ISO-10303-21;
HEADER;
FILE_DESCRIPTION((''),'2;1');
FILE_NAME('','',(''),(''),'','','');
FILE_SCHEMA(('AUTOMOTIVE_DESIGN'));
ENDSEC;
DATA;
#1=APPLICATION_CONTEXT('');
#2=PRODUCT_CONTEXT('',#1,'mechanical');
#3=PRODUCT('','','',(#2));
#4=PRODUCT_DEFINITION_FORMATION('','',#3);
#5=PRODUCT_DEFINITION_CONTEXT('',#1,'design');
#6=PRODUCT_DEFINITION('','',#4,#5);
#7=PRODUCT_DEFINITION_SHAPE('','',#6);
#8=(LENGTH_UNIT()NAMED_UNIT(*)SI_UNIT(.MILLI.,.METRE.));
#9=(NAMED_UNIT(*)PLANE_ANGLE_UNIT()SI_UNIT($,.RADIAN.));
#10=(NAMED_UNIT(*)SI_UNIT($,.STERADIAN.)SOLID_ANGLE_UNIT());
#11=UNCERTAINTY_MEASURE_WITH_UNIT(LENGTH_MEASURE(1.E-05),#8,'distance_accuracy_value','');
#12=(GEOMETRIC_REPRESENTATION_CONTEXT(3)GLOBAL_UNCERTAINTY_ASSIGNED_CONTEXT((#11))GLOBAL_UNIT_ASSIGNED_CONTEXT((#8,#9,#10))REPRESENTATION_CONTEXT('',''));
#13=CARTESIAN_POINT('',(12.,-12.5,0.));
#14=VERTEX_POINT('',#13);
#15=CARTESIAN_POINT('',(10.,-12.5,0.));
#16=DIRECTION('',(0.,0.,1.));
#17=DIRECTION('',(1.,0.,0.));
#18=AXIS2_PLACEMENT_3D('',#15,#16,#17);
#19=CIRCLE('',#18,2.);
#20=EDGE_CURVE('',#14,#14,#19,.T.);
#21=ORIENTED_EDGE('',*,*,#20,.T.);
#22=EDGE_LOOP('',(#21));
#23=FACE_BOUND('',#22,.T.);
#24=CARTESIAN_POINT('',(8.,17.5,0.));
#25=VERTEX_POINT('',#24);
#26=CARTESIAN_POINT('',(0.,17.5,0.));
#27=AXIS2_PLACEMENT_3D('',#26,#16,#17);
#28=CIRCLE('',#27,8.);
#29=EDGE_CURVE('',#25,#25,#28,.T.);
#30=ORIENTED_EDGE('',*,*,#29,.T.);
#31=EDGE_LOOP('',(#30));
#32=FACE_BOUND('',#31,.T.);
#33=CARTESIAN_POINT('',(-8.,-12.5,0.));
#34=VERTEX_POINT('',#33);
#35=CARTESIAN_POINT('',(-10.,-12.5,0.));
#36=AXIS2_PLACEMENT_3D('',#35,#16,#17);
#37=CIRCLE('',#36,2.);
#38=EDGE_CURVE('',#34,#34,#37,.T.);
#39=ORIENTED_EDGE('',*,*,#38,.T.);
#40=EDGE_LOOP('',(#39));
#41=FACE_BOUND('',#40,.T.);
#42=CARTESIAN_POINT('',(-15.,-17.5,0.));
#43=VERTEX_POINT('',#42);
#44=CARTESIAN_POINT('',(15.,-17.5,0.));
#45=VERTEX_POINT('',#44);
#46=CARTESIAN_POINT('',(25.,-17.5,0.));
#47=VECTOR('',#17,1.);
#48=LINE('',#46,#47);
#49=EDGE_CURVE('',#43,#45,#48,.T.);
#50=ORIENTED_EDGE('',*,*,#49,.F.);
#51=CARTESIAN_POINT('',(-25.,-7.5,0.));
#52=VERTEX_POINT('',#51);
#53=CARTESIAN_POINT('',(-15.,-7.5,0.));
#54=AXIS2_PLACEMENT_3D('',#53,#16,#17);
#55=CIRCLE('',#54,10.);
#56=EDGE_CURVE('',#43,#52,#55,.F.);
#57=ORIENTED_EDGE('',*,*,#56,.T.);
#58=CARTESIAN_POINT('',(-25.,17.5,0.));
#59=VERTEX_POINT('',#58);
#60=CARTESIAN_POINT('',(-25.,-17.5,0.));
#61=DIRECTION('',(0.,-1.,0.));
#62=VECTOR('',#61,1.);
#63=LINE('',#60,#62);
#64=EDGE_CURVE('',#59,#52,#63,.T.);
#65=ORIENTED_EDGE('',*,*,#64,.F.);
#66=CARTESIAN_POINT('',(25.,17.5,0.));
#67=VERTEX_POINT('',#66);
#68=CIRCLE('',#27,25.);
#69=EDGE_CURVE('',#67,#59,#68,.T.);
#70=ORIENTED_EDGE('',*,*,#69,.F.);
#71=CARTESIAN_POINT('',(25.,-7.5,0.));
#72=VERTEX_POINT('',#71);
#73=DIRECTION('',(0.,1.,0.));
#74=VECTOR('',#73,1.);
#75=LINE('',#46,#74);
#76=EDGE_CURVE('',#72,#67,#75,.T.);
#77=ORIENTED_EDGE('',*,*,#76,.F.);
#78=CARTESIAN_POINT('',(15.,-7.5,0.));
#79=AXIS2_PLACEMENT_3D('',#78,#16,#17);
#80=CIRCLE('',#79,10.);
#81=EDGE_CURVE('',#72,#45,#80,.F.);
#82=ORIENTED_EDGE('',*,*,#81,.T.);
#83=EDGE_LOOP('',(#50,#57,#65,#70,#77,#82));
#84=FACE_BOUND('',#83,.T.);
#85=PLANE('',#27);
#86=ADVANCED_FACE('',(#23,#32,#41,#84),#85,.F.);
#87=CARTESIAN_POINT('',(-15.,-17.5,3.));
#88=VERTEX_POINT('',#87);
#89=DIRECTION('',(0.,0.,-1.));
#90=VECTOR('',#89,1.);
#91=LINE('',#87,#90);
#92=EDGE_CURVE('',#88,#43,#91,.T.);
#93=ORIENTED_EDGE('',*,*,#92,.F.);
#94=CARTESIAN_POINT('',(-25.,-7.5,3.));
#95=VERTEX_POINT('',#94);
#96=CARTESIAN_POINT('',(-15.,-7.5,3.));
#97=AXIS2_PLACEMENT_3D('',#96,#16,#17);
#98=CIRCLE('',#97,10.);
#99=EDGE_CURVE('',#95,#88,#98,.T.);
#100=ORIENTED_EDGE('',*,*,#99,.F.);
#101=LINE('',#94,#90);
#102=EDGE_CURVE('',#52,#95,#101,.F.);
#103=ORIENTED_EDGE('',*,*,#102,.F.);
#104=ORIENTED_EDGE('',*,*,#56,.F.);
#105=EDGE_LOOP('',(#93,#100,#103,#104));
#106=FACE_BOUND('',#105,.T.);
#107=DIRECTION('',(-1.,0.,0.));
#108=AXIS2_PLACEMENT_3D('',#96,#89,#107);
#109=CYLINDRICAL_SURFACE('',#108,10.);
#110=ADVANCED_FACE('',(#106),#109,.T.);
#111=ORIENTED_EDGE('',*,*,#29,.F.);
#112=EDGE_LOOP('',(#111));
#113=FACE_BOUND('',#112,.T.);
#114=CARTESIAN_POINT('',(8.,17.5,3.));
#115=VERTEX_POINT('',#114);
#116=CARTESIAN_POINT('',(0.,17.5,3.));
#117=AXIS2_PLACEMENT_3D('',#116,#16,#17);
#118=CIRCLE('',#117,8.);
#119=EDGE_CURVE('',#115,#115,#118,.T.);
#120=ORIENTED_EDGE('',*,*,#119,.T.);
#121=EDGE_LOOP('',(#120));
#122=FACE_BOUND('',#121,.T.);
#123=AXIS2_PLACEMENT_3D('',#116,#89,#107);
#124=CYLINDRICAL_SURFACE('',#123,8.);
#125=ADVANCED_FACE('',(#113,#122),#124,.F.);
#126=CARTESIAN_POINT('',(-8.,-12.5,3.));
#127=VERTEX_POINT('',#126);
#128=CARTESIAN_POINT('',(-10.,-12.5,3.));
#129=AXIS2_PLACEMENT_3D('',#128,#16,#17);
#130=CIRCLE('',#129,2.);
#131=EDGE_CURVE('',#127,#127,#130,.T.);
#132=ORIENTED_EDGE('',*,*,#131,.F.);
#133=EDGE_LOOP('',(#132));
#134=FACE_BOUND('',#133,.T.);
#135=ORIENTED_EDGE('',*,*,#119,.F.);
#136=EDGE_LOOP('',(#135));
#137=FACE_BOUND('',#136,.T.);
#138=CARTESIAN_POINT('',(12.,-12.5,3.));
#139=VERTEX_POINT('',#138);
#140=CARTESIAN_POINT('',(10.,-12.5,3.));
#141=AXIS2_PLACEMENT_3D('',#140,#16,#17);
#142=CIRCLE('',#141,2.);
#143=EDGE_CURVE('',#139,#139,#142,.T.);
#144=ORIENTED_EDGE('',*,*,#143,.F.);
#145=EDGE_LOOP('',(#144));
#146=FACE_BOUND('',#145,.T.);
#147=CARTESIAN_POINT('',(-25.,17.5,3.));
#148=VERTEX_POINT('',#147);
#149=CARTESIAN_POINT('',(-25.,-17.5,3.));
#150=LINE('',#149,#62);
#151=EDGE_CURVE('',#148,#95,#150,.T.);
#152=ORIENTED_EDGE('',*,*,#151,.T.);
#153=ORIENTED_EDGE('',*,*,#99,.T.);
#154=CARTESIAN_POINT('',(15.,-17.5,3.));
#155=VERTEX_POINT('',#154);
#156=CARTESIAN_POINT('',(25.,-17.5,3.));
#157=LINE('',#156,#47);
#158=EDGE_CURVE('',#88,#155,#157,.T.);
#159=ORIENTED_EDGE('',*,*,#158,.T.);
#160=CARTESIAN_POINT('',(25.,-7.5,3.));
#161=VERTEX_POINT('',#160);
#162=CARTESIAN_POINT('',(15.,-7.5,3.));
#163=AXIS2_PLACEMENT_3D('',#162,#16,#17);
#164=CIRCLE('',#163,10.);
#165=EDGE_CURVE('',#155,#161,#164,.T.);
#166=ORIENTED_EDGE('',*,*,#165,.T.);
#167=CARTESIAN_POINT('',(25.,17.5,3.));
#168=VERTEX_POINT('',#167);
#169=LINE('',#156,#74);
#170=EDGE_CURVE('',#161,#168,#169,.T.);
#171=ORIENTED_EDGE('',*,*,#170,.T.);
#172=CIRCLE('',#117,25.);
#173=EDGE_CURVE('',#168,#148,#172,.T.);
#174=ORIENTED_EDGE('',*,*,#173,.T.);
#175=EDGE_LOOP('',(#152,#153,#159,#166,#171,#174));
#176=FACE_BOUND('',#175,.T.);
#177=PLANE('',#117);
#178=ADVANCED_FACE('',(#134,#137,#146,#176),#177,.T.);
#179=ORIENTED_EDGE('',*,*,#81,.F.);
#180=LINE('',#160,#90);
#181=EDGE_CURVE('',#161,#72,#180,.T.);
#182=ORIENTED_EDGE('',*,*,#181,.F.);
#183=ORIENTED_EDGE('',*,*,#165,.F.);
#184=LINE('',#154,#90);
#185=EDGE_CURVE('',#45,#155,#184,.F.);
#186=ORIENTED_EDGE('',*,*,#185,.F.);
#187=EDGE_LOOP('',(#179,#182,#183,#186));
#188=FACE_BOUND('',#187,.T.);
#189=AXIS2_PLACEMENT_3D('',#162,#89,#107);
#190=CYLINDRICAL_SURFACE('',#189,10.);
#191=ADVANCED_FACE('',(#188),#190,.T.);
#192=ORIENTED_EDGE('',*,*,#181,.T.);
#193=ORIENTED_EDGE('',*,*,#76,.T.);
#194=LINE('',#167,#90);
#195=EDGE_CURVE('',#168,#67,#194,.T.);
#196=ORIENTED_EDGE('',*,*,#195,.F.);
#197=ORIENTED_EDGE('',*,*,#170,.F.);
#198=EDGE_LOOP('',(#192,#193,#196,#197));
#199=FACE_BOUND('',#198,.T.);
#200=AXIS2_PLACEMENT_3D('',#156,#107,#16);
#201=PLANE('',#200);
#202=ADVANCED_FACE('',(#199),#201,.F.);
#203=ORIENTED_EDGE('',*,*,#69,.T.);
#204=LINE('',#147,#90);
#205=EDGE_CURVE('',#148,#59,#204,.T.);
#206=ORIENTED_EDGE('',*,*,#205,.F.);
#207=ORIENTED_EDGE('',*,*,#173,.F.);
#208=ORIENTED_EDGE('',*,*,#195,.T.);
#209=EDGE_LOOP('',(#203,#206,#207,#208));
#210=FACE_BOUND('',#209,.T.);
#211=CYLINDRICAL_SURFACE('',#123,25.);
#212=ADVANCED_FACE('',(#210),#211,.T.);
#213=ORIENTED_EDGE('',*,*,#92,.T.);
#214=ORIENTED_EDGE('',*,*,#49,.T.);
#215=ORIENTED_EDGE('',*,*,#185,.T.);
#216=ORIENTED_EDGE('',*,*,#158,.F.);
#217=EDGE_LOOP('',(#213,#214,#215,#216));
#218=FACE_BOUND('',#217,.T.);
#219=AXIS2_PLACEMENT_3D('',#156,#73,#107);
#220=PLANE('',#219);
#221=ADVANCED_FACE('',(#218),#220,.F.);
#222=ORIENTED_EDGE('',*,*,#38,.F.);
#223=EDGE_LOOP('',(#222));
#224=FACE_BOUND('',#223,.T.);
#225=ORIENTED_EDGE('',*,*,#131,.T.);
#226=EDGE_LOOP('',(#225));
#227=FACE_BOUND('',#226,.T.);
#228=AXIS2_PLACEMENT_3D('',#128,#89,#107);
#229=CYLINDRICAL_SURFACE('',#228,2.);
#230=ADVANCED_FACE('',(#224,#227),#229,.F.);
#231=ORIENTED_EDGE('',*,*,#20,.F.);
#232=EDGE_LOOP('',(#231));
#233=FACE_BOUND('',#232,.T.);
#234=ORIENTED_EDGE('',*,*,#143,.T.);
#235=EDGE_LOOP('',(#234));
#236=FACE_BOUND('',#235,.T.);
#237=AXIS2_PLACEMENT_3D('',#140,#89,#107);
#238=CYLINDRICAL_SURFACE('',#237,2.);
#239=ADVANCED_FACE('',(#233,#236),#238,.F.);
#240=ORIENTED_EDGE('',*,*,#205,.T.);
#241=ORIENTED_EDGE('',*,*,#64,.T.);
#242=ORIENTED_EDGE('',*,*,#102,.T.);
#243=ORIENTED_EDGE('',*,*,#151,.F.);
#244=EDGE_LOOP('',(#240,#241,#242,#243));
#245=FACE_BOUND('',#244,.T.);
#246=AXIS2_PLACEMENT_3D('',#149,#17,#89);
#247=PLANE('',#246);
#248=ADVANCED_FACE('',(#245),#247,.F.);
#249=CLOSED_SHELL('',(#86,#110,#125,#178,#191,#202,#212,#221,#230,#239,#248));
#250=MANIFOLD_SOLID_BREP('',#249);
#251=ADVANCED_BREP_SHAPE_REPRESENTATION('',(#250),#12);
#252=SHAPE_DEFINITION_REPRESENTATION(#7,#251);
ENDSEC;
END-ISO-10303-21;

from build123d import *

# Parameters (mm, degrees)
SKETCH_1_R      = 8
SKETCH_1_R_2    = 2
EXTRUDE_1_DEPTH = 3
FILLET_1_R      = 10


with BuildPart() as part:
    # ｽｹｯﾁ1 → ﾎﾞｽ - 押し出し1 (new body)
    with BuildSketch(Plane.XY):
        with BuildLine():
            Line((25, -17.5), (-25, -17.5))
            Line((-25, -17.5), (-25, 17.5))
            ThreePointArc((-25, 17.5), (0, 42.5), (25, 17.5))
            Line((25, 17.5), (25, -17.5))
        make_face()
        with Locations((0, 17.5)):
            Circle(SKETCH_1_R, mode=Mode.SUBTRACT)
        with Locations((-10, -12.5)):
            Circle(SKETCH_1_R_2, mode=Mode.SUBTRACT)
        with Locations((10, -12.5)):
            Circle(SKETCH_1_R_2, mode=Mode.SUBTRACT)
    extrude(amount=EXTRUDE_1_DEPTH)

    # ﾌｨﾚｯﾄ1
    fillet_1_edges = [part.edges().sort_by_distance(p)[0] for p in [
        (25, -17.5, 1.5),
        (-25, -17.5, 1.5),
    ]]
    fillet(fillet_1_edges, radius=FILLET_1_R)


solid = part.part
